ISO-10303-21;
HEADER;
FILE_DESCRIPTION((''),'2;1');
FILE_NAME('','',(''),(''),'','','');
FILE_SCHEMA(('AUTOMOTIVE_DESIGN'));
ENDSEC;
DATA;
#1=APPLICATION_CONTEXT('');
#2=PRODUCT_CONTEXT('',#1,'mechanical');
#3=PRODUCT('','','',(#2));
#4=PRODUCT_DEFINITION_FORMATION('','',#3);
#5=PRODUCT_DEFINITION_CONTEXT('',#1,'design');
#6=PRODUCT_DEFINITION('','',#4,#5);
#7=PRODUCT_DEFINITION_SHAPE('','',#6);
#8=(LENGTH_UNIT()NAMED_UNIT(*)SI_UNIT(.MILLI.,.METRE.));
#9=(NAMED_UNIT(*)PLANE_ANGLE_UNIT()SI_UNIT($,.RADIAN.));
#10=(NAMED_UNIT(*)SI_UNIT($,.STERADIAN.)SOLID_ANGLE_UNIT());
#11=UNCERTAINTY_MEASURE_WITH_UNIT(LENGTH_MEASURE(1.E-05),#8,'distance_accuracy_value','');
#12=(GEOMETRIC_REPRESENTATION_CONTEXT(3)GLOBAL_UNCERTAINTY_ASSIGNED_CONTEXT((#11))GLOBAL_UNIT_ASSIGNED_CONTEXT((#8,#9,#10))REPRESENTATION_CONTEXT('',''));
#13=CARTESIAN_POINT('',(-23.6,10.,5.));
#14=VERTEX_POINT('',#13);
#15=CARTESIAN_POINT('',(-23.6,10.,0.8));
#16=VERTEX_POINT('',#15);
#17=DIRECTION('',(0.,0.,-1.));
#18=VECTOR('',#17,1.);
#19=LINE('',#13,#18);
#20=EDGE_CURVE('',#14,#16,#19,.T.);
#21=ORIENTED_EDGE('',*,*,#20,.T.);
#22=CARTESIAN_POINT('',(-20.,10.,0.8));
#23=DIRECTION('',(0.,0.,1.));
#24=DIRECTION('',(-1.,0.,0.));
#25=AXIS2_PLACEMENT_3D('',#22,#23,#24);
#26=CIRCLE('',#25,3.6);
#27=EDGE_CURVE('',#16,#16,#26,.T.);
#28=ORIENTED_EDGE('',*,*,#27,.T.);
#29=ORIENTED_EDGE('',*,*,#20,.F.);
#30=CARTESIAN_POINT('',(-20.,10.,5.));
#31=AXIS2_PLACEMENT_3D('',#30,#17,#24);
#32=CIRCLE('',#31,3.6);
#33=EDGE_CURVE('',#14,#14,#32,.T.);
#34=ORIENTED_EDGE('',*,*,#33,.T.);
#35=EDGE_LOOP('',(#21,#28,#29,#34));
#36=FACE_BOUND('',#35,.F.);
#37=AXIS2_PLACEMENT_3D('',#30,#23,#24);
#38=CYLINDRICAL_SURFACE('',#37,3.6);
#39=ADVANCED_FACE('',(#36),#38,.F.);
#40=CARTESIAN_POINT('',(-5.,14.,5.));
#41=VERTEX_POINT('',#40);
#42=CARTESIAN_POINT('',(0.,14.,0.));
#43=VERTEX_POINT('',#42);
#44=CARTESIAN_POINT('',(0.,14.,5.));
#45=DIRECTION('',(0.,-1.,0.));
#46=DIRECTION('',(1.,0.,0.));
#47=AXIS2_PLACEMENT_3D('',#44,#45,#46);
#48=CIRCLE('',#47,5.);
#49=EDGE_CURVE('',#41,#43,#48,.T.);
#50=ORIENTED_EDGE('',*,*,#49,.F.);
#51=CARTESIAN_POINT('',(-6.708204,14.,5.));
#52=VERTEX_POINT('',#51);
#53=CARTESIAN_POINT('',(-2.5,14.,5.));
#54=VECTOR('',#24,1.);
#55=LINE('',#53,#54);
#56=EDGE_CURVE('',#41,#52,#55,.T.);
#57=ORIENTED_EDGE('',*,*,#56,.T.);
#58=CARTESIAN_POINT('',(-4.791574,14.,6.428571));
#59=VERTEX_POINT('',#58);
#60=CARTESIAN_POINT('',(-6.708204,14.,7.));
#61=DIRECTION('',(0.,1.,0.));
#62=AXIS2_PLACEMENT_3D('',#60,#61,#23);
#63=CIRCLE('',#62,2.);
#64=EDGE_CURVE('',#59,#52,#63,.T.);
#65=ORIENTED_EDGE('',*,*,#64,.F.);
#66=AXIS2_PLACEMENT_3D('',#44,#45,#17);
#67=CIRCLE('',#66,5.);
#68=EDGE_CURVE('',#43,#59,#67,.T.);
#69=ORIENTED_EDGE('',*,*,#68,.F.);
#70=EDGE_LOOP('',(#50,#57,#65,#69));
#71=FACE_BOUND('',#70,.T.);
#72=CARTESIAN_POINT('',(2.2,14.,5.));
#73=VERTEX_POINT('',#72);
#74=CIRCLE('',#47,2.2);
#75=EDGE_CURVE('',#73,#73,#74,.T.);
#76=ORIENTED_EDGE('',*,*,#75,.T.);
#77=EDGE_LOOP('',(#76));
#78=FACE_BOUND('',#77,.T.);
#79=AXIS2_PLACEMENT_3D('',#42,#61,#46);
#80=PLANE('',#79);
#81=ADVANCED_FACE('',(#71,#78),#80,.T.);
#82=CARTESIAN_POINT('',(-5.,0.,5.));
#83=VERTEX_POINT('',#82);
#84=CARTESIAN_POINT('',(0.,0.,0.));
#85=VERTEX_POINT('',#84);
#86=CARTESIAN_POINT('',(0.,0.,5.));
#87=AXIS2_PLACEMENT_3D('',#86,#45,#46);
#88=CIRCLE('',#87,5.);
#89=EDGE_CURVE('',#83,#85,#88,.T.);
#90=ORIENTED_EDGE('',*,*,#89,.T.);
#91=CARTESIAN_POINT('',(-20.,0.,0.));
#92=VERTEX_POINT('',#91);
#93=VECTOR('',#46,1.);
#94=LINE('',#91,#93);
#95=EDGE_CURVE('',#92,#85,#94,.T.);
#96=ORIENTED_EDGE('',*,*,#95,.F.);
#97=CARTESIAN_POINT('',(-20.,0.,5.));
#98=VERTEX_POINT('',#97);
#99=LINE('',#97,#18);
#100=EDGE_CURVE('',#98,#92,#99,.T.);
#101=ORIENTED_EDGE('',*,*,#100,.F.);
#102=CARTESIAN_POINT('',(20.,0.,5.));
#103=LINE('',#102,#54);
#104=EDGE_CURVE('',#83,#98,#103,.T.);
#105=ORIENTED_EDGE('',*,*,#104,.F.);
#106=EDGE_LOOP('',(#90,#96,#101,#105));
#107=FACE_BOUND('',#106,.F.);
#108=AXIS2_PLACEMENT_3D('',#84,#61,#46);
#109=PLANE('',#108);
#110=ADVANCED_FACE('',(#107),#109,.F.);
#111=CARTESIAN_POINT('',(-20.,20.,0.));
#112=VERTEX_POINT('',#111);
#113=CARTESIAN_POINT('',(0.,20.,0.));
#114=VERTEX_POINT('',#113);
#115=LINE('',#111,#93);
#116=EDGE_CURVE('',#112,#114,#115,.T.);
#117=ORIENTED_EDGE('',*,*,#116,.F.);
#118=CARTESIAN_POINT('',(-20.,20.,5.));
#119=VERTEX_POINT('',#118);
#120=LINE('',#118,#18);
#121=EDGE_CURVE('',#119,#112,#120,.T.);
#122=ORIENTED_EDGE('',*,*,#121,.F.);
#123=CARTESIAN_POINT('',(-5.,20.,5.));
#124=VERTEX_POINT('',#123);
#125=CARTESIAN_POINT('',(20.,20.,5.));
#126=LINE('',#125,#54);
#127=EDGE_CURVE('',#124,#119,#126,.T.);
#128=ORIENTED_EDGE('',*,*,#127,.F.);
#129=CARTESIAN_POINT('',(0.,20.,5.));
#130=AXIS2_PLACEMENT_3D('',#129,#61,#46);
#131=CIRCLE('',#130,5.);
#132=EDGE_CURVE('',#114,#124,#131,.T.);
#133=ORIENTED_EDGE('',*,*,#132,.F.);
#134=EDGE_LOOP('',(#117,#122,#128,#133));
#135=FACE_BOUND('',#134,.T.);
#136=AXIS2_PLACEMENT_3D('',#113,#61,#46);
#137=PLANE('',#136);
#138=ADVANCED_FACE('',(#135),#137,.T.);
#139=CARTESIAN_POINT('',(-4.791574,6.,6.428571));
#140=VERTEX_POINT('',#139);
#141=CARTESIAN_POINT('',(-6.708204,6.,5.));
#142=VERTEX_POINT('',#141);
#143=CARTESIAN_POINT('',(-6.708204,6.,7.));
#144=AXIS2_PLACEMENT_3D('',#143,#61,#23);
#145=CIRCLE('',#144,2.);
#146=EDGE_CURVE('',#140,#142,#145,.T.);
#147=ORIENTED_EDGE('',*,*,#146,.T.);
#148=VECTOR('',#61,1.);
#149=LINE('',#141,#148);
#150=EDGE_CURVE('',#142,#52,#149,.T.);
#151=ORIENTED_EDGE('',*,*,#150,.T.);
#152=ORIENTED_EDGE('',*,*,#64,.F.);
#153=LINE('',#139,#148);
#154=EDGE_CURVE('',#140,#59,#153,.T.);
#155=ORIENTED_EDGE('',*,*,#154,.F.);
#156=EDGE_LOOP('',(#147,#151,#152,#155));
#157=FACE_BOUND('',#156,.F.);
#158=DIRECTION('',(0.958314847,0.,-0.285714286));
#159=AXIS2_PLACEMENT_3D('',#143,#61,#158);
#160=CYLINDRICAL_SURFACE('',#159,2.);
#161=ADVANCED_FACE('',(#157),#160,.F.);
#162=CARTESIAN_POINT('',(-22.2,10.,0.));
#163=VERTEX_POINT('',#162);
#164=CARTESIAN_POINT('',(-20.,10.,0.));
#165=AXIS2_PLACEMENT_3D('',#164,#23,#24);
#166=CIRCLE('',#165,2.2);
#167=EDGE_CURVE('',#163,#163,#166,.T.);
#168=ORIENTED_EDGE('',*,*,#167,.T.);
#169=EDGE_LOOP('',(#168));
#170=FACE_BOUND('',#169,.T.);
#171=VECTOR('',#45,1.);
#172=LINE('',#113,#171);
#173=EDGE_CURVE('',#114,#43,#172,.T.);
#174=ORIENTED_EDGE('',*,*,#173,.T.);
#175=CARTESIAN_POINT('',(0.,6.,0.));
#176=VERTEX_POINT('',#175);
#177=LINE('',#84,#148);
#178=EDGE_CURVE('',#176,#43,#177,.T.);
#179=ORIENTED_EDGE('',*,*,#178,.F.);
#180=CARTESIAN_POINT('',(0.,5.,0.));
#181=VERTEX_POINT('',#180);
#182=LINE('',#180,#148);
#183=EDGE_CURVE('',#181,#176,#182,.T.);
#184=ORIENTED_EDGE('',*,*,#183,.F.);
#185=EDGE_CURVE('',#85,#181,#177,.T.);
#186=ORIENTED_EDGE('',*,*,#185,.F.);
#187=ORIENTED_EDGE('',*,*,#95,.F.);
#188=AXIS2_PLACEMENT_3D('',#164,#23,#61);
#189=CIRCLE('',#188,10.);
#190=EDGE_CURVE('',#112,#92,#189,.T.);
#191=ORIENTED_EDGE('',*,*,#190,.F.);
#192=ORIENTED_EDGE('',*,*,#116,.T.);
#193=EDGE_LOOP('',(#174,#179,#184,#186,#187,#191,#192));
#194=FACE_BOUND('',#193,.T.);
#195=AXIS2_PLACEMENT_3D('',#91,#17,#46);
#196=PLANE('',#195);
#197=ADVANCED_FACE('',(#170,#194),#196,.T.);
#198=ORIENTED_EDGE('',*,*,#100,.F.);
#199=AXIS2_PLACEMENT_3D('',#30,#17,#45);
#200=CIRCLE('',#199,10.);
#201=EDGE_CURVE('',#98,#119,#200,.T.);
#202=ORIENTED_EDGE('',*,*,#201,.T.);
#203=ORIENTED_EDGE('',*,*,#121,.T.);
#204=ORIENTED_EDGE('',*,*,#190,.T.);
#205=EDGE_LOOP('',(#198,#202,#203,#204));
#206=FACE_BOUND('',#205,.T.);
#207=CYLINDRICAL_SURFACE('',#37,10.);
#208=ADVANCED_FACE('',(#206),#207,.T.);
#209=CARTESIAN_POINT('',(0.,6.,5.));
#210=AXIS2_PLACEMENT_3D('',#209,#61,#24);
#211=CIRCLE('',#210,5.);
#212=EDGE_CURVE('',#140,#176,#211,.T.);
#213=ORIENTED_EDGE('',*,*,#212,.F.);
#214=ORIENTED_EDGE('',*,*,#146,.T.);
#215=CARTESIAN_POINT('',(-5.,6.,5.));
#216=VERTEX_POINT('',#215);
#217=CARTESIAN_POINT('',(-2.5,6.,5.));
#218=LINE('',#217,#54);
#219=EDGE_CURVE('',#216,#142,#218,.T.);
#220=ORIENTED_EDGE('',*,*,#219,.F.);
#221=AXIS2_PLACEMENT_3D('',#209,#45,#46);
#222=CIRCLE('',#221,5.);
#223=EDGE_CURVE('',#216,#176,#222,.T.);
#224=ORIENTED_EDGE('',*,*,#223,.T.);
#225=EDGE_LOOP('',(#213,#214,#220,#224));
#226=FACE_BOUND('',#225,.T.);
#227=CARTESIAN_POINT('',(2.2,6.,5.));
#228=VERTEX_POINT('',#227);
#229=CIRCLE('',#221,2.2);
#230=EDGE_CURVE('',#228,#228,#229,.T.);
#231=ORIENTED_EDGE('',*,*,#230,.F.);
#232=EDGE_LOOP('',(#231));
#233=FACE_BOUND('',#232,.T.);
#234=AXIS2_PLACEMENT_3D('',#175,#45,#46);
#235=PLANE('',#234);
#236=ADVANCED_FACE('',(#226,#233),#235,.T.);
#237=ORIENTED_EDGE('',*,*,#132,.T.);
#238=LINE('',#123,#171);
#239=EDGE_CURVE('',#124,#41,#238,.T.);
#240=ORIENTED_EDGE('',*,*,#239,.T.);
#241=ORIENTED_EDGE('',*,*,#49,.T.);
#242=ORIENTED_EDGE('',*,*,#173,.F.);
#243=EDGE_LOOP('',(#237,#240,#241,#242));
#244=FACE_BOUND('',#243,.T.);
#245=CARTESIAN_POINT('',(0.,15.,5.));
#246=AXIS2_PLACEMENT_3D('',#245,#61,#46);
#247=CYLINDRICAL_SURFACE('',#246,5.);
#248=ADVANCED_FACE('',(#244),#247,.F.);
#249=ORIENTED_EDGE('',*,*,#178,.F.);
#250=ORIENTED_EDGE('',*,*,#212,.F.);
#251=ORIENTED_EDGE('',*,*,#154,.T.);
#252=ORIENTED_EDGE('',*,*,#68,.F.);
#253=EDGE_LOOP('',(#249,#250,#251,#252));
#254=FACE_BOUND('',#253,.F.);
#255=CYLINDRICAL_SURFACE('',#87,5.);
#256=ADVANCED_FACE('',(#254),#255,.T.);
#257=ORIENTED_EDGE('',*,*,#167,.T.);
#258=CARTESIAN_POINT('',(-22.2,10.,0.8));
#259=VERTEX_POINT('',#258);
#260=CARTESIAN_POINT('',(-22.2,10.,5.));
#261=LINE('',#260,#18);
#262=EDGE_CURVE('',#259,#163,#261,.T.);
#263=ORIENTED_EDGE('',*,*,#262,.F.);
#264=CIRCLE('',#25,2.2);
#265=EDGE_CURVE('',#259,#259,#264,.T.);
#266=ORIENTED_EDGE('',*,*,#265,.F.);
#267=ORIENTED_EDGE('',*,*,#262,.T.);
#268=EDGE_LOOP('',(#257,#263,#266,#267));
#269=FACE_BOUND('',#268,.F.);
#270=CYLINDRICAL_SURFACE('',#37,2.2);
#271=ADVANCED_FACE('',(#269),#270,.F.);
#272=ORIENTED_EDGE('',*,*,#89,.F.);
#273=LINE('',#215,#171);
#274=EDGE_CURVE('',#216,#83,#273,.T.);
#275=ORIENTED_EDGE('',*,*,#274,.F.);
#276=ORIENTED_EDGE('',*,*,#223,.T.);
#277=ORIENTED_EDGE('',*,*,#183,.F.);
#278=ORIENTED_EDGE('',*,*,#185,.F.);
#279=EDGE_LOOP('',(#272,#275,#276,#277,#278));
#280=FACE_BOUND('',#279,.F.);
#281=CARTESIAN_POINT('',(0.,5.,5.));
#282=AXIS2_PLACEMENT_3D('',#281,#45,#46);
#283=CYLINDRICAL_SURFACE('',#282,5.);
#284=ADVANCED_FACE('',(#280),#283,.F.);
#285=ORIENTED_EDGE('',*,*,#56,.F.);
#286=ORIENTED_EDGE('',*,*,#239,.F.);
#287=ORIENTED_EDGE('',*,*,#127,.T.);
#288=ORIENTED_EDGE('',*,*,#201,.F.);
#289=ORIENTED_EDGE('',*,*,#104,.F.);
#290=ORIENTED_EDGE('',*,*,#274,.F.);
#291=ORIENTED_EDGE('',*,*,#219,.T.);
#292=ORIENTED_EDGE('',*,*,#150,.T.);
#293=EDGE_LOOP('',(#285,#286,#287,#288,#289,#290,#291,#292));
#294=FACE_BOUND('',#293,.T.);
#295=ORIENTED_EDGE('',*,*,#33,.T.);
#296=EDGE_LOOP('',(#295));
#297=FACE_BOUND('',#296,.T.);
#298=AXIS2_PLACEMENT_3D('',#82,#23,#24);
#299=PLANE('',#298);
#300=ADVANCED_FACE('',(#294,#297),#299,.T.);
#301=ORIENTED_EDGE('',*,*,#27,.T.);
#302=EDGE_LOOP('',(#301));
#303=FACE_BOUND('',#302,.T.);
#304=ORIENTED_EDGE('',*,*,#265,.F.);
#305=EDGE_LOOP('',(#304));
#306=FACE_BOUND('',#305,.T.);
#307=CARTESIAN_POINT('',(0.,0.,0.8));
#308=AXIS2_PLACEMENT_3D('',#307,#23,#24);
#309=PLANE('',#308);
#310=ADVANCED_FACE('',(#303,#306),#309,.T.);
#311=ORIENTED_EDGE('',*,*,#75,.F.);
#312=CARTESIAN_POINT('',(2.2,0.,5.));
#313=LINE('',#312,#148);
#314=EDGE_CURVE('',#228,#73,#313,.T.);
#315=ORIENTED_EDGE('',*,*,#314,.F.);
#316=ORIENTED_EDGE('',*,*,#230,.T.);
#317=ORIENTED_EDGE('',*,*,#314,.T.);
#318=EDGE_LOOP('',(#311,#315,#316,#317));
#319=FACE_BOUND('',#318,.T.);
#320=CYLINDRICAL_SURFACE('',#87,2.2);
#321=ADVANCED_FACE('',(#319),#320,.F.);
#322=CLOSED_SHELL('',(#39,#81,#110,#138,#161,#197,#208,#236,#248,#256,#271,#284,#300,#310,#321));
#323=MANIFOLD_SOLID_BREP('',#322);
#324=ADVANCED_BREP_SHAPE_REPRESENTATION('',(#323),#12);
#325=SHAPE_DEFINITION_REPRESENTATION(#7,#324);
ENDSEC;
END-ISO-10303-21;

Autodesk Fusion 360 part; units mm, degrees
sketch "Sketch1" plane through (0, 0, 0) normal (0, 1, 0) x (1, 0, 0)
  line L0 (-20, 0) -> (20, 0)
  line L1 (20, 0) -> (20, -5)
  line L2 (20, -5) -> (-20, -5)
  line L3 (-20, -5) -> (-20, 0)
  circle A0 centre (0, -5) radius 5
  circle A1 centre (0, -5) radius 3.6
  circle A2 centre (0, -5) radius 2.2
  dimension "d19" = 10
  dimension "d20" = 7.2
  dimension "d21" = 4.4
extrude "Extrude13" add sketch "Sketch1" along normal blind 20 contours L0 L2 L3 A0
extrude "Extrude14" add sketch "Sketch1" along normal blind 15 contours L2 A0 A1 | L2 A0 A1 | L2 A1 A2 | L2 A1 A2
sketch "Sketch8" plane through (0, 0, 0) normal (0, -1, 0) x (1, 0, 0)
  circle A0 centre (0, 5) radius 2.2
  line L0 (-20, 0) -> (0, 0)
  arc A1 (0, 0) -> (-5, 5) centre (0, 5) ccw
  line L1 (-5, 5) -> (-20, 5)
  circle A2 centre (0, 5) radius 5
  line L2 (-20, 5) -> (-20, 0)
extrude "Extrude15" cut sketch "Sketch8" against normal blind 5 contours A1 A2
extrude "Extrude21" cut 1 faces at (0.2994, 15, 0.9534) along direction (0, -1, 0) blind 1
extrude "Extrude22" cut 1 faces at (0.2994, 5, 0.9534) along direction (0, 1, 0) blind 1
sketch "Sketch12" plane through (0, 0, 5) normal (0, 0, 1) x (-1, 0, 0)
  line L0 (20, 0) -> (5, 0)
  line L1 (5, 0) -> (5, -6)
  line L2 (5, -6) -> (5, -14)
  line L3 (5, -14) -> (5, -20)
  line L4 (5, -20) -> (20, -20)
  line L5 (20, -20) -> (20, 0)
  circle A0 centre (20, -10) radius 10
  circle A1 centre (20, -10) radius 3.6
  circle A2 centre (20, -10) radius 2.2
  dimension "d92" = 20
  dimension "d95" = 7.2
  dimension "d96" = 4.4
extrude "Extrude24" add sketch "Sketch12" against normal blind 5 contours L5 A0 A1 | L5 A1 A2 | L5 A2 picked at (27.8205, -10.6452) picked at (23.1211, -10.1708) picked at (20.6671, -9.6954)
extrude "Extrude25" cut sketch "Sketch12" against normal blind 4.2 contours L5 A1 A2 | L5 A1 A2
extrude "Extrude26" cut sketch "Sketch12" against normal through all contours L5 A2 | L5 A2
fillet "Fillet13" radius 2 1 edges at (-5, 10, 5)
